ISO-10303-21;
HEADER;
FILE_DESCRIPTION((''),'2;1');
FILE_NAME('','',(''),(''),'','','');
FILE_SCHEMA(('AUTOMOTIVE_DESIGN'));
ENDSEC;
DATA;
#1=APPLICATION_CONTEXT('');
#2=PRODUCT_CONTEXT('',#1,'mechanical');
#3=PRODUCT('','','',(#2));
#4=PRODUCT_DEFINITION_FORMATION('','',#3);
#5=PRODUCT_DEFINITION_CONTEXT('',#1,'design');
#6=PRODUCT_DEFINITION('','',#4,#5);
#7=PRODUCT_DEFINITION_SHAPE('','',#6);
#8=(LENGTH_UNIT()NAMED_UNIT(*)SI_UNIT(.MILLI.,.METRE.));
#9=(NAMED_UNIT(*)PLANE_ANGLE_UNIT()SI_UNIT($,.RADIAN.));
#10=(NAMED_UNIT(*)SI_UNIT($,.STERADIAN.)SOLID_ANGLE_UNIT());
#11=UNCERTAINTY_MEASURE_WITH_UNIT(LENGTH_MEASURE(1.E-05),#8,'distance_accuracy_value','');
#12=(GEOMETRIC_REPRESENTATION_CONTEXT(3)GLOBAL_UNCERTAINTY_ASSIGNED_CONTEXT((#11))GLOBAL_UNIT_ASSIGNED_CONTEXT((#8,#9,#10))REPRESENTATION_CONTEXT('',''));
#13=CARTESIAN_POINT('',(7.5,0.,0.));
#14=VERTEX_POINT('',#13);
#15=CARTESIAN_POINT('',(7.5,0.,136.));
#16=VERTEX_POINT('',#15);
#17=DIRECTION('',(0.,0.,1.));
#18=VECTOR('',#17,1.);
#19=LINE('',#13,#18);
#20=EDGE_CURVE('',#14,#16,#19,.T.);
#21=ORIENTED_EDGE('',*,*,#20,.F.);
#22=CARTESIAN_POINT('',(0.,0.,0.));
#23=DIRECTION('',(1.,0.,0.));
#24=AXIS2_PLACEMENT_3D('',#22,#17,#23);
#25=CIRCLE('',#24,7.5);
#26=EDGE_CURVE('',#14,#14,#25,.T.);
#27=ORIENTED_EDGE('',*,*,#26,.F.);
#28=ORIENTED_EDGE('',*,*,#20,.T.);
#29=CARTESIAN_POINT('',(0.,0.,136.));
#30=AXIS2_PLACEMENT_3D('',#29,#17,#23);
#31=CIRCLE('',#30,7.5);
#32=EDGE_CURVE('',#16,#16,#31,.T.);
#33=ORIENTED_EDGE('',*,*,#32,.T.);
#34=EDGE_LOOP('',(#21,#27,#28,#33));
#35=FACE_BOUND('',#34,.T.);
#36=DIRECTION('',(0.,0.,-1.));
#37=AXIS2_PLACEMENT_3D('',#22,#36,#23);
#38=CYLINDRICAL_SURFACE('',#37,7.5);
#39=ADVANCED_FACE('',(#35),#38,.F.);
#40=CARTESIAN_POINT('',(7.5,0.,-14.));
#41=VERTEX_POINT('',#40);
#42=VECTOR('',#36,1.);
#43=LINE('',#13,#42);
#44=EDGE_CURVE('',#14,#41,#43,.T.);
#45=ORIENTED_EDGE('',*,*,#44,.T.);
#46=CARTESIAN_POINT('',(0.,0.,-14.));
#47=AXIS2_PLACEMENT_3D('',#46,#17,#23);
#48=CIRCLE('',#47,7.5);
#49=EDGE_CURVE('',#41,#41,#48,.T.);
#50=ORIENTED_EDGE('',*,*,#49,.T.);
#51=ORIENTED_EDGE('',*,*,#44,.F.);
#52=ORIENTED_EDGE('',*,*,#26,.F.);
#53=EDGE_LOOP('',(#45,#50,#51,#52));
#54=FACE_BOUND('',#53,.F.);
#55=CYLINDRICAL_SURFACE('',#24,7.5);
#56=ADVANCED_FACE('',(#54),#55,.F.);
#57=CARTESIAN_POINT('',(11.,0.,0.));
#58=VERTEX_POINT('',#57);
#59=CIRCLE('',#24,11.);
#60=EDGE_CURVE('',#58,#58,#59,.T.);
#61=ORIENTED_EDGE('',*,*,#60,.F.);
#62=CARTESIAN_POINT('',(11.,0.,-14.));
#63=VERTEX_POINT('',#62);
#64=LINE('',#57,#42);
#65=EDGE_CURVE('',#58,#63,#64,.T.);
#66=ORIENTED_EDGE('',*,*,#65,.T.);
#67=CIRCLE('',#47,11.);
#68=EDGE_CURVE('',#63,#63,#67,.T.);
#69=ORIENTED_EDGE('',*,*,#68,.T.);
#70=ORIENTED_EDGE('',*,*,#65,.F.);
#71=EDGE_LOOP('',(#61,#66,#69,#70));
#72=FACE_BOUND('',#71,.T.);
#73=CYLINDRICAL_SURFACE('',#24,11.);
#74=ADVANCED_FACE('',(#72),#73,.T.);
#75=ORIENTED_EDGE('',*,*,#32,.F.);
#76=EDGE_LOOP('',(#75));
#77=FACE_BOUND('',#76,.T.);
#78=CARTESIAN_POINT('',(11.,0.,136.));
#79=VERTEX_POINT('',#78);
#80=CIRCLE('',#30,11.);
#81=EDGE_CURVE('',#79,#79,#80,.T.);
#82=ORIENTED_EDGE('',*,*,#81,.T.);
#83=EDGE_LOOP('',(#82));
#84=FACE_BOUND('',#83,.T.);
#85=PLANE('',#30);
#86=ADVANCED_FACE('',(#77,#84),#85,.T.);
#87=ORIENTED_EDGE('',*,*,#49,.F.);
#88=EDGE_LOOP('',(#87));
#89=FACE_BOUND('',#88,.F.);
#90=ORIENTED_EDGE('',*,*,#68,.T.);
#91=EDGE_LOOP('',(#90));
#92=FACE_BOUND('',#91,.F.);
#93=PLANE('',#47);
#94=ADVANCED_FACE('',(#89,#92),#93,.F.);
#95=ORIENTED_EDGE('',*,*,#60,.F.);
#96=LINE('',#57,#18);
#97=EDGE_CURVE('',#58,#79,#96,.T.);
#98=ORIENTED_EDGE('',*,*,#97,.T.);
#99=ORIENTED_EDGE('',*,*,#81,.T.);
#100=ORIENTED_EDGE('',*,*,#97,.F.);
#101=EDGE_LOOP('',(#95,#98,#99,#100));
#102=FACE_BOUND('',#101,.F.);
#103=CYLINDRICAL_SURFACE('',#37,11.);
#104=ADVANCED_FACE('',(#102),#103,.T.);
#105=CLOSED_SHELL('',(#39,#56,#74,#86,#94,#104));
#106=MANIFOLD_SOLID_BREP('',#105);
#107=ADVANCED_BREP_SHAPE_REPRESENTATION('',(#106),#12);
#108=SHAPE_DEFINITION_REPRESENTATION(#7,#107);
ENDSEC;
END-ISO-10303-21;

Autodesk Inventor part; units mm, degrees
ref_plane "YZ Plane" through (0, 0, 0) normal (1, 0, 0) x (0, 1, 0)
ref_plane "XZ Plane" through (0, 0, 0) normal (0, 1, 0) x (-1, 0, 0)
ref_plane "XY Plane" through (0, 0, 0) normal (0, 0, 1) x (1, 0, 0)
sketch "Sketch1" plane through (0, 0, 0) normal (0, 0, 1) x (1, 0, 0)
  circle A0 centre (0, 0) radius 7.5
  circle A1 centre (0, 0) radius 11
  dimension "d0" = 15
  dimension "d1" = 22
extrude "Extrusion1" add sketch "Sketch1" along normal blind 136
extrude "Extrusion2" add sketch "Sketch1" against normal blind 14
thread "Thread1" size "M15x1.5" class "6H" standard "ANSI Metric M Profile" length 14
properties part number "handelbar screw on extension" material "Aluminum 6061"
